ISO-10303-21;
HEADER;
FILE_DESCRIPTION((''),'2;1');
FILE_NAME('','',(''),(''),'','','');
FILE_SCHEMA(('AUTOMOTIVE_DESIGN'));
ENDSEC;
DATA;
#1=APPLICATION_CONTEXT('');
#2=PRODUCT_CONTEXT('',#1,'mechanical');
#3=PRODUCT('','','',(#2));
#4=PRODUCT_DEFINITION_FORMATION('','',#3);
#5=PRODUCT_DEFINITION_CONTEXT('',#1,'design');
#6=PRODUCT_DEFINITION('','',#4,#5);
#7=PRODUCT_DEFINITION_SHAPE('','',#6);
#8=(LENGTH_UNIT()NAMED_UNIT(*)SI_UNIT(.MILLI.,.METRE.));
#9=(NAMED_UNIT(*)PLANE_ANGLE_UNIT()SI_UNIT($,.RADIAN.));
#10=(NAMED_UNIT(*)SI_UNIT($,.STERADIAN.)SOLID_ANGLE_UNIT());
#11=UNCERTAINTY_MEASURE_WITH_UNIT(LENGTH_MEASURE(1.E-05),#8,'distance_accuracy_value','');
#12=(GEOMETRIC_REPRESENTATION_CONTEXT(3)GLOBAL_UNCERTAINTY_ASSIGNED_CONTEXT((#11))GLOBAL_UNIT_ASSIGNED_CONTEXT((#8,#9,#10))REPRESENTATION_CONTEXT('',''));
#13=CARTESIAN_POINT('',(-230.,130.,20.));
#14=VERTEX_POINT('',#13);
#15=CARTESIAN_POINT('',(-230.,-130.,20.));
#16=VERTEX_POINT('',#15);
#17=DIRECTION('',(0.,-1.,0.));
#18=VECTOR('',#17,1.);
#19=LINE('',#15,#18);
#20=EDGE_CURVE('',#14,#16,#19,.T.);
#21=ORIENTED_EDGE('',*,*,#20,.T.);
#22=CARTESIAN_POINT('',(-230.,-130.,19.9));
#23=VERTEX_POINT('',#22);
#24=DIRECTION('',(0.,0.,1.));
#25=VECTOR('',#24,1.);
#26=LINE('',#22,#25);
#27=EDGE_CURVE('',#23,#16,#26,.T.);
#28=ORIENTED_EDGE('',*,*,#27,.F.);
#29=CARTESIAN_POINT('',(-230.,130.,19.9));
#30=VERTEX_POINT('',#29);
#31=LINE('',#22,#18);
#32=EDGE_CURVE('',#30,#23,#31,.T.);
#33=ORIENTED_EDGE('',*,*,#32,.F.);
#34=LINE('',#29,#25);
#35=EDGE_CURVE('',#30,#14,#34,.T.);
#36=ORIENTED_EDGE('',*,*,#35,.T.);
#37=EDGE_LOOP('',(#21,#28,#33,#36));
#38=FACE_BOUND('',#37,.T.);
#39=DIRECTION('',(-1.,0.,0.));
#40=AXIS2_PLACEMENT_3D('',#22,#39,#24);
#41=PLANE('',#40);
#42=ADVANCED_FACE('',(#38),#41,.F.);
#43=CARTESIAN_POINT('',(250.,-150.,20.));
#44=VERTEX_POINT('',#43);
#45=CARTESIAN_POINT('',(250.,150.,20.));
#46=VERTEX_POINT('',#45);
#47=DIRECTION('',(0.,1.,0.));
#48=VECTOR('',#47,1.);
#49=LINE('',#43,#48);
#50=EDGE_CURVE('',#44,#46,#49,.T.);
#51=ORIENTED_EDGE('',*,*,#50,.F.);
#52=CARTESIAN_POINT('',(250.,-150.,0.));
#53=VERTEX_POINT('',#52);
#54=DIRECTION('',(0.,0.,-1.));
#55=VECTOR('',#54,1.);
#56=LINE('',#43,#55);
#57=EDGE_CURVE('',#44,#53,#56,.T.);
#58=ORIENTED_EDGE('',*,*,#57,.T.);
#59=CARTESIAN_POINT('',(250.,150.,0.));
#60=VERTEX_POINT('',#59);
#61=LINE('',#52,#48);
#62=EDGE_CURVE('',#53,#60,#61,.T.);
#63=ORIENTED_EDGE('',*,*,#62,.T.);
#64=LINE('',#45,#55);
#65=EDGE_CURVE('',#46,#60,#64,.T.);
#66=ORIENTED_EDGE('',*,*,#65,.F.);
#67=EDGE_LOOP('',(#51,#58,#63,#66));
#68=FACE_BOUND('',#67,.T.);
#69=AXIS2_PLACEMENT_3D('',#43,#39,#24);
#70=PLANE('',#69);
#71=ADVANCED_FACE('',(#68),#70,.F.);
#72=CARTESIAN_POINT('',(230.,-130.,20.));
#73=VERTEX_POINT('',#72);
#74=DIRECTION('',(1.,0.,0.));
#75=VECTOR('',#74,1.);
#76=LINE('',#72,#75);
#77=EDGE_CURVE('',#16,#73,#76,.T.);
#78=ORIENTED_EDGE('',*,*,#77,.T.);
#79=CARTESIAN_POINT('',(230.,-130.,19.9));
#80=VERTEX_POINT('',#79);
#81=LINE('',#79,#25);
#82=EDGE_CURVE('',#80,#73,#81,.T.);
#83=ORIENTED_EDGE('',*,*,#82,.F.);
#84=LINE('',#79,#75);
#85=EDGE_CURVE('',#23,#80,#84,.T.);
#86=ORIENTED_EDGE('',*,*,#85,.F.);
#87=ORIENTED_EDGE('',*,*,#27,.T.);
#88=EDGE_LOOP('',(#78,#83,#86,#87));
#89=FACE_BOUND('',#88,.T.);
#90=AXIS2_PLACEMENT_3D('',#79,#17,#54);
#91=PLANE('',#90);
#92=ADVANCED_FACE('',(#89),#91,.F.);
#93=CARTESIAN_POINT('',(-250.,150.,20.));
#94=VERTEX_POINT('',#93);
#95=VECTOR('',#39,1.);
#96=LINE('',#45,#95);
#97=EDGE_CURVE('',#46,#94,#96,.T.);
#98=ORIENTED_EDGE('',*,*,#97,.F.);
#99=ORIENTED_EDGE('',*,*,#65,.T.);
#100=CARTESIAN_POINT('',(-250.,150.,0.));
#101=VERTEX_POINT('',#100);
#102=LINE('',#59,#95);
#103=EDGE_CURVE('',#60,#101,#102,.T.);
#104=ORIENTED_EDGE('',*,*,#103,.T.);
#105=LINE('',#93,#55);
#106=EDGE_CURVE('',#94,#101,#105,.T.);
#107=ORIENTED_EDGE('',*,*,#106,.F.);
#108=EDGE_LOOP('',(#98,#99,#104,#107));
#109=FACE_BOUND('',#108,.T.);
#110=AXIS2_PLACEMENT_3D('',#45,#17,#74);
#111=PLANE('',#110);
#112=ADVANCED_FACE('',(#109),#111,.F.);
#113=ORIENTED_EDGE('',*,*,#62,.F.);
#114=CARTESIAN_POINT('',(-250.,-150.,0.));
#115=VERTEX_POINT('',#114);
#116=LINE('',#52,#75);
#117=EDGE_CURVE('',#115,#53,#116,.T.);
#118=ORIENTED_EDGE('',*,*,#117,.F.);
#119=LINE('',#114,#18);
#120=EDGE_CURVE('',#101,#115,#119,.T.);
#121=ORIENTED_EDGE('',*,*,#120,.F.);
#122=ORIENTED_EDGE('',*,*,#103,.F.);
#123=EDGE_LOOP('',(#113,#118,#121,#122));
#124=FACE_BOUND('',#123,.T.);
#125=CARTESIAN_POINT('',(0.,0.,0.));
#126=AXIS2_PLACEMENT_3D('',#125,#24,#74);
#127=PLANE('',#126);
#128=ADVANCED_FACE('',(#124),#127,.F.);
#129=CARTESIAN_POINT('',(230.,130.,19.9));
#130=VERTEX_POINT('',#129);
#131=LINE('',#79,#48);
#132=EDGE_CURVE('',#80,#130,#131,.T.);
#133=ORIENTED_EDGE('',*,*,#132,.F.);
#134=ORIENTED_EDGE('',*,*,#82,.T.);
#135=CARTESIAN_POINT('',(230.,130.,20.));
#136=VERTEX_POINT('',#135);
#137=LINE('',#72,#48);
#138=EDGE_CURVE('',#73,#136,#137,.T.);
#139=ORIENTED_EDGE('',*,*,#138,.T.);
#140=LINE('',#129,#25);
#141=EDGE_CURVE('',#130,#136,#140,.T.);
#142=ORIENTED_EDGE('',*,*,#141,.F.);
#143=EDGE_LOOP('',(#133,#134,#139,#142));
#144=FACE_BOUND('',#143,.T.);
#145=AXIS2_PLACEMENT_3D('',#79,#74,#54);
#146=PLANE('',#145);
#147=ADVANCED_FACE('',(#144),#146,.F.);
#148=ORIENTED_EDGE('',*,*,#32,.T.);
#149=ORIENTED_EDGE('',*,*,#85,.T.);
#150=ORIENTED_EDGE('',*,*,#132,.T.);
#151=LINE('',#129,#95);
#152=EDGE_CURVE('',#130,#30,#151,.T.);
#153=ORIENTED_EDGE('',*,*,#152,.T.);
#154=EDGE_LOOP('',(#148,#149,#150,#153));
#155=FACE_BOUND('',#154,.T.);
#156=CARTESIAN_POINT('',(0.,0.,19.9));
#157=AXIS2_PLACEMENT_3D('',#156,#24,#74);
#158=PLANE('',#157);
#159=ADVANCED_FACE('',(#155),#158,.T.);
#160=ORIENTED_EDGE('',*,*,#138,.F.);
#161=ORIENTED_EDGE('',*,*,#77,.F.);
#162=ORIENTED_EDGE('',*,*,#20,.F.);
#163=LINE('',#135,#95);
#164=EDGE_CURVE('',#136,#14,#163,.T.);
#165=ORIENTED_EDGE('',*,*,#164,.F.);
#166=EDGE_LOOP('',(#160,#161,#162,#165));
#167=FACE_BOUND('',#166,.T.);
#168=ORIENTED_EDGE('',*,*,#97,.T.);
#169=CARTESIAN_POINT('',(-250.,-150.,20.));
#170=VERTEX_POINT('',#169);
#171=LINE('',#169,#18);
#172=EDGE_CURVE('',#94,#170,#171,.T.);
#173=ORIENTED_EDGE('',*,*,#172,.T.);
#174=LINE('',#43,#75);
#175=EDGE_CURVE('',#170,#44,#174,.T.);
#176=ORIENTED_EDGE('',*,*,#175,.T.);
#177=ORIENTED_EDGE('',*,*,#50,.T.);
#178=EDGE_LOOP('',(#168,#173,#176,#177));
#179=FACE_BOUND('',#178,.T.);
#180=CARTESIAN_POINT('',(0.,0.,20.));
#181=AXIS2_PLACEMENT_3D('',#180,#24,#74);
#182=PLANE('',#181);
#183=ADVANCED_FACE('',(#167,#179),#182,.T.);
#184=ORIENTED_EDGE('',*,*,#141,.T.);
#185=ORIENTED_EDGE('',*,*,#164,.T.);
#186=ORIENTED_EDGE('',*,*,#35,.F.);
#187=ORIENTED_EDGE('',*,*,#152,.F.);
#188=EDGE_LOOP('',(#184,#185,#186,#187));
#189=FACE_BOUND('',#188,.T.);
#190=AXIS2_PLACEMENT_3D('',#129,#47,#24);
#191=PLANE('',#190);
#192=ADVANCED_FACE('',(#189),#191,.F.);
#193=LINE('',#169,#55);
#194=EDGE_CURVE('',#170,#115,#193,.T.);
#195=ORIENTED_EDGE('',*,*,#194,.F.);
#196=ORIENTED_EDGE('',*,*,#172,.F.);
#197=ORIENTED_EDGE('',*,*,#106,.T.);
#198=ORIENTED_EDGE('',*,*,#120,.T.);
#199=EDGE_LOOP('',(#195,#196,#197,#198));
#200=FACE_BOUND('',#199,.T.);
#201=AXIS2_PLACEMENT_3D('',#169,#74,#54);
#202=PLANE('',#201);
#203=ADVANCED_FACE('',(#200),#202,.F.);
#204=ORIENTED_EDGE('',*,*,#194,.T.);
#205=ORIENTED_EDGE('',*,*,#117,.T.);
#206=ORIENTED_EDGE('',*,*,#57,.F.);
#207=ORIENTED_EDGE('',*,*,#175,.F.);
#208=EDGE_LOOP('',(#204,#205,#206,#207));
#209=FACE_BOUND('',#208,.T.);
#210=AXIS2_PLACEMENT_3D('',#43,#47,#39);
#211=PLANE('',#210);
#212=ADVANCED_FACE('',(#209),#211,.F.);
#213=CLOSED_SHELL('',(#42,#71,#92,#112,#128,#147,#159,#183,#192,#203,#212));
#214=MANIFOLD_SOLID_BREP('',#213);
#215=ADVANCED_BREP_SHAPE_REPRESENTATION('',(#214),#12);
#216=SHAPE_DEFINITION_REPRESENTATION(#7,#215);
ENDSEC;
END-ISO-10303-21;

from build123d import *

# Parameters (mm, degrees)
SKETCH1_W           = 500
SKETCH1_H           = 300
BOSS_EXTRUDE1_DEPTH = 20
SKETCH2_W           = 460
SKETCH2_H           = 260
CUT_EXTRUDE1_DEPTH  = 0.1


with BuildPart() as part:
    # Sketch1 → Boss-Extrude1 (new body)
    with BuildSketch(Plane.XY):
        Rectangle(SKETCH1_W, SKETCH1_H)
    extrude(amount=BOSS_EXTRUDE1_DEPTH)

    # Sketch2 → Cut-Extrude1 (cut)
    with BuildSketch(Plane.XY.offset(20)):
        Rectangle(SKETCH2_W, SKETCH2_H)
    extrude(amount=-CUT_EXTRUDE1_DEPTH, mode=Mode.SUBTRACT)


solid = part.part
